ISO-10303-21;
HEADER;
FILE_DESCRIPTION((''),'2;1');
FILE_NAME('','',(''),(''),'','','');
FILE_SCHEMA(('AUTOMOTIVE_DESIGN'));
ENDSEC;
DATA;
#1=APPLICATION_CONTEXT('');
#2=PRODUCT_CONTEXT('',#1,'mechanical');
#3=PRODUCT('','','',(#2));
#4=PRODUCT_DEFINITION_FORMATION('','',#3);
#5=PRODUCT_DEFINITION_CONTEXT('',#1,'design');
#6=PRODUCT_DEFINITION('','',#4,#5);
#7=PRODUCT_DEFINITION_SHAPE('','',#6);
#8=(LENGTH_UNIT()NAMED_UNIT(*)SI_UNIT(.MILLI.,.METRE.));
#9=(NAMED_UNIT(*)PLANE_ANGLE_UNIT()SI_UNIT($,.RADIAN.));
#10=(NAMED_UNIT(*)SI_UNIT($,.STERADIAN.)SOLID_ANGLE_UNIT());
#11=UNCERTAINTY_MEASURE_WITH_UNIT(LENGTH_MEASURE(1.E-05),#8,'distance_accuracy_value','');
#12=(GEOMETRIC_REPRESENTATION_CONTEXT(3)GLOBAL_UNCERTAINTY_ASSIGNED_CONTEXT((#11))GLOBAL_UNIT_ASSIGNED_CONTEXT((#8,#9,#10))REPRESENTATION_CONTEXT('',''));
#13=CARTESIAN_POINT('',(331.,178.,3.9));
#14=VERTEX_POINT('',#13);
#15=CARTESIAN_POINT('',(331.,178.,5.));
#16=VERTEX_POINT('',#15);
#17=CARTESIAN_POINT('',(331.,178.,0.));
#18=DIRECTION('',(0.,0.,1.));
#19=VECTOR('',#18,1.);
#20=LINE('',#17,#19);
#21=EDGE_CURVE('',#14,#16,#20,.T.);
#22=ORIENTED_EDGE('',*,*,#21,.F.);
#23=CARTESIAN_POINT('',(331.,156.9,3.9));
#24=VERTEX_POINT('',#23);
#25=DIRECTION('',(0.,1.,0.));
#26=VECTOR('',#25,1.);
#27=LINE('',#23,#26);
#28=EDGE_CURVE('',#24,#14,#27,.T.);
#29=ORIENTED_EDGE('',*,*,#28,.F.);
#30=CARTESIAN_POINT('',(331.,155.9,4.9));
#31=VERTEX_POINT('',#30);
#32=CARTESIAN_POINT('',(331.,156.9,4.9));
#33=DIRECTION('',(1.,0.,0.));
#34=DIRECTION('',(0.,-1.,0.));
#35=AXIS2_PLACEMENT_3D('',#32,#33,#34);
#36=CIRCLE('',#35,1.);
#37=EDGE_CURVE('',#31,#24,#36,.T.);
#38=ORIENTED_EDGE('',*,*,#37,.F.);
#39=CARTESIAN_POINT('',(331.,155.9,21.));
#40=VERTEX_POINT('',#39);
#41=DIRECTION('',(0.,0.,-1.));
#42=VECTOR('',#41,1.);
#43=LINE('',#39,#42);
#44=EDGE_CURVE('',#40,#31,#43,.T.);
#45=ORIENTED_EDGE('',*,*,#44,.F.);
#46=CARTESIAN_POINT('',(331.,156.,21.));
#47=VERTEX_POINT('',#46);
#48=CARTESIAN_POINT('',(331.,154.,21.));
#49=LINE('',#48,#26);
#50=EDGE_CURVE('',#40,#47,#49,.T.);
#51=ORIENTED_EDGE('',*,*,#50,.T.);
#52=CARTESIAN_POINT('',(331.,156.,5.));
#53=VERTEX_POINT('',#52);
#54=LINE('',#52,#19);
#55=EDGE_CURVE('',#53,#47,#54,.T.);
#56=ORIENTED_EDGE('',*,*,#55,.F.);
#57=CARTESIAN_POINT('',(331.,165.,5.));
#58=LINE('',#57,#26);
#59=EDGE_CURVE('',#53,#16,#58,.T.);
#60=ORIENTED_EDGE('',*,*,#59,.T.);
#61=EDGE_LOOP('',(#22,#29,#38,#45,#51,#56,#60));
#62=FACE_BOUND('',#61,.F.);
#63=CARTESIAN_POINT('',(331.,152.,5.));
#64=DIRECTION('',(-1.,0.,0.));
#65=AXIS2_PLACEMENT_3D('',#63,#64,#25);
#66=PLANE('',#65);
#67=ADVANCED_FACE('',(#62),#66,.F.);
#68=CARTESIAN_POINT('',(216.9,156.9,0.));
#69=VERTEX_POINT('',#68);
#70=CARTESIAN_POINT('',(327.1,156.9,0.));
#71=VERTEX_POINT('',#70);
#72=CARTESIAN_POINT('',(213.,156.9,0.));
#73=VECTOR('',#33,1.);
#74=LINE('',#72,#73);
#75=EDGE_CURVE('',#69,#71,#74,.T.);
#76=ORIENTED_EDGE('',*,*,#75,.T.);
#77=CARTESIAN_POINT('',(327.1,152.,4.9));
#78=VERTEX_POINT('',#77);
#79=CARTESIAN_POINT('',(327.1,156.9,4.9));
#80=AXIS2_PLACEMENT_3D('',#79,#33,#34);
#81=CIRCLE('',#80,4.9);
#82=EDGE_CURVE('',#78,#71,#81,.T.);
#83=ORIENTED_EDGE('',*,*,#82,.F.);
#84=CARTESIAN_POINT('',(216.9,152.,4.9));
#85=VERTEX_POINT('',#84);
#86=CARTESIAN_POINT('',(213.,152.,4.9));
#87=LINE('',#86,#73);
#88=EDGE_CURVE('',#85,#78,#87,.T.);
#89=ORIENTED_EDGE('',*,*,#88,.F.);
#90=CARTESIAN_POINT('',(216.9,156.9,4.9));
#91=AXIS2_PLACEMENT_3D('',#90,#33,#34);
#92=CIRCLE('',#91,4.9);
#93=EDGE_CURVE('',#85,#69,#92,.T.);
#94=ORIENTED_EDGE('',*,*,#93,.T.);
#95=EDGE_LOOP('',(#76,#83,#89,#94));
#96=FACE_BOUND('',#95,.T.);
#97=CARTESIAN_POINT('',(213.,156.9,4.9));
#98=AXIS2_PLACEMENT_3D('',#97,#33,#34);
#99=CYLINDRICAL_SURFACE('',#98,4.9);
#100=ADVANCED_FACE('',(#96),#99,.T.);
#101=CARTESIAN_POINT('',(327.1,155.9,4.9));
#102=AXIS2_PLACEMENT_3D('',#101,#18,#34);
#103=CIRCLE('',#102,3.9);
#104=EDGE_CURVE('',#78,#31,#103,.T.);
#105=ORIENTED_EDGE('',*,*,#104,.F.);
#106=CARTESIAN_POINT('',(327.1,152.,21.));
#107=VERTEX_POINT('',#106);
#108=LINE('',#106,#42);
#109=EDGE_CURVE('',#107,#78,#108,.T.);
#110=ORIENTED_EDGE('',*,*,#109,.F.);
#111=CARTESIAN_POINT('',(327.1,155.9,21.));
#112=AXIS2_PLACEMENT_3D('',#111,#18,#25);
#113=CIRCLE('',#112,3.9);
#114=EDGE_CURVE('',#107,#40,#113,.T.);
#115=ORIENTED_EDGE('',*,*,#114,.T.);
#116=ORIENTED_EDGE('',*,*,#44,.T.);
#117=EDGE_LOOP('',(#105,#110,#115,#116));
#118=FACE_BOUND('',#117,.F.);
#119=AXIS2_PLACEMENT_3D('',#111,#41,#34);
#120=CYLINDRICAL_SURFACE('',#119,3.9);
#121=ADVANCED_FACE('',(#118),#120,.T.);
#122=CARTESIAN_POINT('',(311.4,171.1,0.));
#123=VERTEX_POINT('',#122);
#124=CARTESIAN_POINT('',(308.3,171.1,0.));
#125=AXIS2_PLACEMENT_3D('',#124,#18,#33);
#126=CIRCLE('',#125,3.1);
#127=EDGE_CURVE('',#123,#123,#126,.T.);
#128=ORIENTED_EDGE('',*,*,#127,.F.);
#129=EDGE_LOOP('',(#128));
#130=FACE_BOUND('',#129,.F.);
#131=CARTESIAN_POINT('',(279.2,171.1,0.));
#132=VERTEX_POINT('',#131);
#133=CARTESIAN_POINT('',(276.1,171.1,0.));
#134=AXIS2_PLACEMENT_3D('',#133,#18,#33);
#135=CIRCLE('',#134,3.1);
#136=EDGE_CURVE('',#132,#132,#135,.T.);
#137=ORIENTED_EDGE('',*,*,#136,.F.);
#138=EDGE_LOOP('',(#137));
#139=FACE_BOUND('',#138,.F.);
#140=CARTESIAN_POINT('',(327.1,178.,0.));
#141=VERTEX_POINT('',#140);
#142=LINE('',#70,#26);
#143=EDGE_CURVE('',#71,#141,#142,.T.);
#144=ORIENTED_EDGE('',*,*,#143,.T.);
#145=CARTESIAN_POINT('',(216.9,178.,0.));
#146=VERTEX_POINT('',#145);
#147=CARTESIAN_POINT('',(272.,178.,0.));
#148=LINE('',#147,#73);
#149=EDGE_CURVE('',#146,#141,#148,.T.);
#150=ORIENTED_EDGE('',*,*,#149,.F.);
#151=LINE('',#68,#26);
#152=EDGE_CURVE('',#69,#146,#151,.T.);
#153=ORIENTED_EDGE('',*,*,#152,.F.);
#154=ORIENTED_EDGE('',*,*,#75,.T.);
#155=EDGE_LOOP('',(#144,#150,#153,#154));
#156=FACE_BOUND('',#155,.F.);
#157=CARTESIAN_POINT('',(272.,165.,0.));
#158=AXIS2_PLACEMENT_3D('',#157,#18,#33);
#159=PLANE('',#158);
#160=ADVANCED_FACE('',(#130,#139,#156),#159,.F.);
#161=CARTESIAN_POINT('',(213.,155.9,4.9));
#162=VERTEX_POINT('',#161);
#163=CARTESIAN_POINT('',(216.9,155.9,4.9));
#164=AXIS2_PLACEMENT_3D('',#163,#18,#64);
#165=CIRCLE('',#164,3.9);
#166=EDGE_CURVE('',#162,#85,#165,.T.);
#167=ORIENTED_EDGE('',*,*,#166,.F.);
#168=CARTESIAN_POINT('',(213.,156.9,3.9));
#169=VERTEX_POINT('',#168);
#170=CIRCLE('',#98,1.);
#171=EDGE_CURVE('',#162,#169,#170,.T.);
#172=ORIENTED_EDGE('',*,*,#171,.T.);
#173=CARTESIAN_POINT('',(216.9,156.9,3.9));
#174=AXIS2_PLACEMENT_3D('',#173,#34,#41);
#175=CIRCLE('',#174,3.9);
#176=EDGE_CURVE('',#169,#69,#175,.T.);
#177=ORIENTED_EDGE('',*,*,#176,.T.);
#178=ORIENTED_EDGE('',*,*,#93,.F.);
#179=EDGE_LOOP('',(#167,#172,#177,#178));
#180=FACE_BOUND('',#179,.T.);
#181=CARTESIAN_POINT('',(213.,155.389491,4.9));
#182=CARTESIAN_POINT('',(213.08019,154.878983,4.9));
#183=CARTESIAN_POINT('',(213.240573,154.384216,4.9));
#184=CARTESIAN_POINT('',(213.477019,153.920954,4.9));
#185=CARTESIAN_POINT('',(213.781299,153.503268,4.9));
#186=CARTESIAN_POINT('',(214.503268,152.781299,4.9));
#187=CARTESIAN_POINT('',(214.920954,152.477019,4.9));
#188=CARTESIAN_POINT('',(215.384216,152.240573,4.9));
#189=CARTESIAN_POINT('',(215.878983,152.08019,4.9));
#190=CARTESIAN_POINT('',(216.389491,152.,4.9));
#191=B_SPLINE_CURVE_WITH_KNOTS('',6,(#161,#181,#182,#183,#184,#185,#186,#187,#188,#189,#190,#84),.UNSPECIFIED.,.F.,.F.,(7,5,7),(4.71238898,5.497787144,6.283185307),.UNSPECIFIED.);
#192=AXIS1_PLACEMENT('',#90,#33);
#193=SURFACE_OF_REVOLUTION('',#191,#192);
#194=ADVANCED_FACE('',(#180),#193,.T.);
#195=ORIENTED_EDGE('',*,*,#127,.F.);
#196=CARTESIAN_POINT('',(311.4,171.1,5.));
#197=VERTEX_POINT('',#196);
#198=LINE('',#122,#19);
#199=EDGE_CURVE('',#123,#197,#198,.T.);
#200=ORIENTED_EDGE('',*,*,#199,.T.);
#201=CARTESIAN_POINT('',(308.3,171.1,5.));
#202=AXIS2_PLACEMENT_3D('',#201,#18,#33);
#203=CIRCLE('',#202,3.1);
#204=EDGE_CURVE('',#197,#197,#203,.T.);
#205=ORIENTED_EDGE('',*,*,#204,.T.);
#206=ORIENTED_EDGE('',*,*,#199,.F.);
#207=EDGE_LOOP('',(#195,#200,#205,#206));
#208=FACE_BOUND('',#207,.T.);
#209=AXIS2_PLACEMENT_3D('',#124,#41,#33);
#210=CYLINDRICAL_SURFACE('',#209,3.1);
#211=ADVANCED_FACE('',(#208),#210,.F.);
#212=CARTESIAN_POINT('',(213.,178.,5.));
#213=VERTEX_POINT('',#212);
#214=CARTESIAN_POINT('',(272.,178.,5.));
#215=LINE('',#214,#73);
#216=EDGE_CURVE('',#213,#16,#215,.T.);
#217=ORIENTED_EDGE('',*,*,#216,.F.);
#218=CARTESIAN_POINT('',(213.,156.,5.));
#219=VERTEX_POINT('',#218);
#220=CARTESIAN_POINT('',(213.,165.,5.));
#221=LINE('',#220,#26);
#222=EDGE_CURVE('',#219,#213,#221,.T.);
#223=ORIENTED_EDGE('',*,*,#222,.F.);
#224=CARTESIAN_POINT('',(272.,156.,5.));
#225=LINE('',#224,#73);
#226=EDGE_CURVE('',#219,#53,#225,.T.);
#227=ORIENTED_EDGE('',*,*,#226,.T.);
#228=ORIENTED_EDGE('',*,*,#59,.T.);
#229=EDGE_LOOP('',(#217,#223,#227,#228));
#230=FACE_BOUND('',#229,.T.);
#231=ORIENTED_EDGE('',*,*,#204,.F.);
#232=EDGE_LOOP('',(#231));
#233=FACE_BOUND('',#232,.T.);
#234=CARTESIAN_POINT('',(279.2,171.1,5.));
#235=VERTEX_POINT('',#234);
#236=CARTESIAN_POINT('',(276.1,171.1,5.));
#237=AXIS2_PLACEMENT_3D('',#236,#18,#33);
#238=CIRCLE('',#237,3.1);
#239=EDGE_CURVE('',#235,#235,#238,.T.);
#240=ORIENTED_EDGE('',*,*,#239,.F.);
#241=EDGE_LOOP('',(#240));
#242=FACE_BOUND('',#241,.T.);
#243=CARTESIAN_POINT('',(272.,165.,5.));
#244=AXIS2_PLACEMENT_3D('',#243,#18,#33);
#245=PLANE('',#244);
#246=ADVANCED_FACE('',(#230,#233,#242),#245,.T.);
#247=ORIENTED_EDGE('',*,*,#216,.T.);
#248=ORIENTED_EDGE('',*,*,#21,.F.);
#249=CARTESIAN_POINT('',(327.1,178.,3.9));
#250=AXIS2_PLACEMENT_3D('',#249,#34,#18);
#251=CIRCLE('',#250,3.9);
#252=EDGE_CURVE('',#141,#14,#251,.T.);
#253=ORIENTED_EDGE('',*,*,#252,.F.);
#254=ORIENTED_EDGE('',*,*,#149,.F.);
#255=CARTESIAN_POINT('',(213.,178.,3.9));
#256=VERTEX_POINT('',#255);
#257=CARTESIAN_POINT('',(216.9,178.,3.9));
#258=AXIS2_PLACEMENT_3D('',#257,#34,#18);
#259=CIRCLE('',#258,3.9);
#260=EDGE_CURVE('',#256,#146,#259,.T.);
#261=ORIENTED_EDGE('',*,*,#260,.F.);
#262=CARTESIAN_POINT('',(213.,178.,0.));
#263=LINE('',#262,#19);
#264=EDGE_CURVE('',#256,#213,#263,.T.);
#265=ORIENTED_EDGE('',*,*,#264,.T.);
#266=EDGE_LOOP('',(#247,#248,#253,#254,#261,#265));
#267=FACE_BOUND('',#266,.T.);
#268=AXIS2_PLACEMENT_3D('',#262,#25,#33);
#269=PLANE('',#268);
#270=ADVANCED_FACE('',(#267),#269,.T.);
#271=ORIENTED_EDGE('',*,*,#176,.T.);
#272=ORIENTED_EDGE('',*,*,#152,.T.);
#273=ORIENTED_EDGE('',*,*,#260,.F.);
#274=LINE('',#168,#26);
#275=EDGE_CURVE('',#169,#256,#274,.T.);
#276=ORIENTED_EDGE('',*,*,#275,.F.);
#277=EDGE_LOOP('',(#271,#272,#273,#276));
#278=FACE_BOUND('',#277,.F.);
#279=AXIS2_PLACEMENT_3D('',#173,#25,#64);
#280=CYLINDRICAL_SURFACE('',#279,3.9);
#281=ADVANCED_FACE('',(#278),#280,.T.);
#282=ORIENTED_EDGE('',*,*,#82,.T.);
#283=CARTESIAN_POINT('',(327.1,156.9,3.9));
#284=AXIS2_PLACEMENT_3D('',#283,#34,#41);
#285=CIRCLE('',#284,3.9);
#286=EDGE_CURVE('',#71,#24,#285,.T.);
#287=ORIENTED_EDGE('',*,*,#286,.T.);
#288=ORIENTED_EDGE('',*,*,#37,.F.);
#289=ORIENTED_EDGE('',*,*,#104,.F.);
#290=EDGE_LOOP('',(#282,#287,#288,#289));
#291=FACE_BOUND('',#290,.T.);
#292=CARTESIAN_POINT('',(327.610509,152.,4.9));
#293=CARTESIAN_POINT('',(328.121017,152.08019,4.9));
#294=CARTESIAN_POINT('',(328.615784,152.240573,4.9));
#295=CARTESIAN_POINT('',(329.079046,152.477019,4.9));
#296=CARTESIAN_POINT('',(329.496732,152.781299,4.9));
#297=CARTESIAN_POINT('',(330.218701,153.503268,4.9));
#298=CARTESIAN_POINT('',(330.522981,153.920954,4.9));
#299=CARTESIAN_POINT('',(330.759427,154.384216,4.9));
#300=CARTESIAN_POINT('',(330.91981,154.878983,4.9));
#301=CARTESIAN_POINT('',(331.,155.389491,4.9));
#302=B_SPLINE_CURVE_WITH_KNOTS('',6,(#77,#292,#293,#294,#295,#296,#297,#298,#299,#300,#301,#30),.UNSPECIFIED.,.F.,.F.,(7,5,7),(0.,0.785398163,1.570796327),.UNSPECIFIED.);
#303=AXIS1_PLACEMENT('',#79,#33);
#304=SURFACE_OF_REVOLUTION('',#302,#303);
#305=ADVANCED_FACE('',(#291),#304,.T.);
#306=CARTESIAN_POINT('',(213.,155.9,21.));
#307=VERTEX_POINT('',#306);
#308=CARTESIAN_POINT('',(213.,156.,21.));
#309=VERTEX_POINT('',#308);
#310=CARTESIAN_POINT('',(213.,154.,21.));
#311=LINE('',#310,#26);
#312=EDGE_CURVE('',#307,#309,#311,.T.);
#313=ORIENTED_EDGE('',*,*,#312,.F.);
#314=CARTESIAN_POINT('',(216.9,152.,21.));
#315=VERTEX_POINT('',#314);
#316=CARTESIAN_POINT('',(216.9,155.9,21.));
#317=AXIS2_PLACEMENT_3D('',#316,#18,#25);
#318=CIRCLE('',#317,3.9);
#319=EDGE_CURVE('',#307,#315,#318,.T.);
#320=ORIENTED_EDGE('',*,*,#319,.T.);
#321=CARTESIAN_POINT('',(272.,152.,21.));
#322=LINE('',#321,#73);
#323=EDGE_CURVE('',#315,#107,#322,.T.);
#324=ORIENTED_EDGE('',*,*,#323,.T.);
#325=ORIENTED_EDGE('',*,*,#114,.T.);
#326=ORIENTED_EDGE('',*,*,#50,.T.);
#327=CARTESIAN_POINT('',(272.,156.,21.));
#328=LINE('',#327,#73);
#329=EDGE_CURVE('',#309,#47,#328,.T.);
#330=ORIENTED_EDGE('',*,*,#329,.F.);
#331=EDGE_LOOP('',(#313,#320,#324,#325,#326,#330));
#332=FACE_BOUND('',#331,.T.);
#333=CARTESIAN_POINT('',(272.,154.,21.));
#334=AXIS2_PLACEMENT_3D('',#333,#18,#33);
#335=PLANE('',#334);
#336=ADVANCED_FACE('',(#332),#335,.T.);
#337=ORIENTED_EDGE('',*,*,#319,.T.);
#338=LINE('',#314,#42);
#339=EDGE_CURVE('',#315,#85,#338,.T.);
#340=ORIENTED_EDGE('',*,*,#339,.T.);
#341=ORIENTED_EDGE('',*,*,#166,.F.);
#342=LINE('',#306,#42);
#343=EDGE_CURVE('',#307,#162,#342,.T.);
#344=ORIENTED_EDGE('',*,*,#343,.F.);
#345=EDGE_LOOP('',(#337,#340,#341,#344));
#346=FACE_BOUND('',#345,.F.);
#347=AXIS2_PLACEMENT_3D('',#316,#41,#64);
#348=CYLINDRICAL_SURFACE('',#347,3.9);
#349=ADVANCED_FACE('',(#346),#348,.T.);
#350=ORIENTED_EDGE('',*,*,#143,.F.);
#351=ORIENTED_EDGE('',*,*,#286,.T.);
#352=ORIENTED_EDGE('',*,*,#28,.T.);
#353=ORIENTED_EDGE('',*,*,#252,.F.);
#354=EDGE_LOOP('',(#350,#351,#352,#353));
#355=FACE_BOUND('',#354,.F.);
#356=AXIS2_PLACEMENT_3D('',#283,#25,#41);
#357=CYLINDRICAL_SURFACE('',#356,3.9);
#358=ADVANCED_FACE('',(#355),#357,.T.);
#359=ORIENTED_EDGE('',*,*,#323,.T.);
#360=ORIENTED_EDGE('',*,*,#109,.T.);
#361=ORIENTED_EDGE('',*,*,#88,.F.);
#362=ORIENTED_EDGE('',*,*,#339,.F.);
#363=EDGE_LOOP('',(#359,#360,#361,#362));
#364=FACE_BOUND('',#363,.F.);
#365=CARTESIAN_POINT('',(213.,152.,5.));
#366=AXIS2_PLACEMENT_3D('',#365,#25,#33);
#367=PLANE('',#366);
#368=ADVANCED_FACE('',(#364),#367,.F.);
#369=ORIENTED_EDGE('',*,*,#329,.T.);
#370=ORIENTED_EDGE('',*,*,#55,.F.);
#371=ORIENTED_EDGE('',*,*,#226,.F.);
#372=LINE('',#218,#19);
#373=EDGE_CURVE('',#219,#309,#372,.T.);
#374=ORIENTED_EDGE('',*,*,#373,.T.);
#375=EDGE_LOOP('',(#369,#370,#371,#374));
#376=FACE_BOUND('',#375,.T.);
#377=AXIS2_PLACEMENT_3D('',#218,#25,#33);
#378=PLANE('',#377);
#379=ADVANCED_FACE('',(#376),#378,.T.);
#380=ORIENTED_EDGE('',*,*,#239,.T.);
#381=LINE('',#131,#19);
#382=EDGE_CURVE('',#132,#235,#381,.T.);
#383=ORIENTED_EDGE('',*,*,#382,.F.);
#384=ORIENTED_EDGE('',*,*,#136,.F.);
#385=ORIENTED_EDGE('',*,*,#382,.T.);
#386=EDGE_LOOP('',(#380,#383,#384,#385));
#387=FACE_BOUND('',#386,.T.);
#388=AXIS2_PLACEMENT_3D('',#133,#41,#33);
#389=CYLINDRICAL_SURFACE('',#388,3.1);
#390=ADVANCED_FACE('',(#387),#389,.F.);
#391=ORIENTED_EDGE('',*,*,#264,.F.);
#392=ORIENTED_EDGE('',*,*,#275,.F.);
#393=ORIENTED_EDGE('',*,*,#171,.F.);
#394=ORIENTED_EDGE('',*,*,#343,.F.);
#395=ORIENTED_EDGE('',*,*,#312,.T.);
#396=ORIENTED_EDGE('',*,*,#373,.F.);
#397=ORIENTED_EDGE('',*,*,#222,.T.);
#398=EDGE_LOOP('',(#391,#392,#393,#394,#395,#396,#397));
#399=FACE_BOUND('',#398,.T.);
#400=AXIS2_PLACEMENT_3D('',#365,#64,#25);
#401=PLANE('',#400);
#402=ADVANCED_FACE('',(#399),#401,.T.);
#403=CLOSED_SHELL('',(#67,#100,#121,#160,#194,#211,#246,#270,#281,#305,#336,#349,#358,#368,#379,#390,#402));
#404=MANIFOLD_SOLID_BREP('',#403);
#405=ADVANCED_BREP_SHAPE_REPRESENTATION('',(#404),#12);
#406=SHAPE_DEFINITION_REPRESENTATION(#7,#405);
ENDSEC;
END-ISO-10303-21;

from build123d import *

# Parameters (mm, degrees)
SKETCH010_W  = 118
SKETCH010_H  = 26
SKETCH010_R  = 3.1
PAD010_DEPTH = 5
SKETCH011_W  = 118
SKETCH011_H  = 4
PAD011_DEPTH = 16
FILLET005_R  = 4.9
FILLET006_R  = 3.9


with BuildPart() as part:
    # Sketch010 → Pad010 (new body)
    with BuildSketch(Plane.XY):
        with Locations((0, 5)):
            Rectangle(SKETCH010_W, SKETCH010_H)
        with Locations((4.1, 11.1)):
            Circle(SKETCH010_R, mode=Mode.SUBTRACT)
        with Locations((36.3, 11.1)):
            Circle(SKETCH010_R, mode=Mode.SUBTRACT)
    extrude(amount=PAD010_DEPTH)

    # Sketch011 (on Face8 of Pad010) → Pad011 (join)
    with BuildSketch(Plane.XY.offset(5)):
        with Locations((0, -6)):
            Rectangle(SKETCH011_W, SKETCH011_H)
    extrude(amount=PAD011_DEPTH)

    # Fillet005
    fillet005_edges = [part.edges().sort_by_distance(p)[0] for p in [
        (0, -8, 0),
    ]]
    fillet(fillet005_edges, radius=FILLET005_R)

    # Fillet006
    fillet006_edges = [part.edges().sort_by_distance(p)[0] for p in [
        (-59, -6.564823, 1.435177),
        (59, -6.564823, 1.435177),
    ]]
    fillet(fillet006_edges, radius=FILLET006_R)


with BuildPart() as part_1:
    # Body009 placement: moved
    add(part.part.moved(Location((272, 160, 0))))


solid = part_1.part
